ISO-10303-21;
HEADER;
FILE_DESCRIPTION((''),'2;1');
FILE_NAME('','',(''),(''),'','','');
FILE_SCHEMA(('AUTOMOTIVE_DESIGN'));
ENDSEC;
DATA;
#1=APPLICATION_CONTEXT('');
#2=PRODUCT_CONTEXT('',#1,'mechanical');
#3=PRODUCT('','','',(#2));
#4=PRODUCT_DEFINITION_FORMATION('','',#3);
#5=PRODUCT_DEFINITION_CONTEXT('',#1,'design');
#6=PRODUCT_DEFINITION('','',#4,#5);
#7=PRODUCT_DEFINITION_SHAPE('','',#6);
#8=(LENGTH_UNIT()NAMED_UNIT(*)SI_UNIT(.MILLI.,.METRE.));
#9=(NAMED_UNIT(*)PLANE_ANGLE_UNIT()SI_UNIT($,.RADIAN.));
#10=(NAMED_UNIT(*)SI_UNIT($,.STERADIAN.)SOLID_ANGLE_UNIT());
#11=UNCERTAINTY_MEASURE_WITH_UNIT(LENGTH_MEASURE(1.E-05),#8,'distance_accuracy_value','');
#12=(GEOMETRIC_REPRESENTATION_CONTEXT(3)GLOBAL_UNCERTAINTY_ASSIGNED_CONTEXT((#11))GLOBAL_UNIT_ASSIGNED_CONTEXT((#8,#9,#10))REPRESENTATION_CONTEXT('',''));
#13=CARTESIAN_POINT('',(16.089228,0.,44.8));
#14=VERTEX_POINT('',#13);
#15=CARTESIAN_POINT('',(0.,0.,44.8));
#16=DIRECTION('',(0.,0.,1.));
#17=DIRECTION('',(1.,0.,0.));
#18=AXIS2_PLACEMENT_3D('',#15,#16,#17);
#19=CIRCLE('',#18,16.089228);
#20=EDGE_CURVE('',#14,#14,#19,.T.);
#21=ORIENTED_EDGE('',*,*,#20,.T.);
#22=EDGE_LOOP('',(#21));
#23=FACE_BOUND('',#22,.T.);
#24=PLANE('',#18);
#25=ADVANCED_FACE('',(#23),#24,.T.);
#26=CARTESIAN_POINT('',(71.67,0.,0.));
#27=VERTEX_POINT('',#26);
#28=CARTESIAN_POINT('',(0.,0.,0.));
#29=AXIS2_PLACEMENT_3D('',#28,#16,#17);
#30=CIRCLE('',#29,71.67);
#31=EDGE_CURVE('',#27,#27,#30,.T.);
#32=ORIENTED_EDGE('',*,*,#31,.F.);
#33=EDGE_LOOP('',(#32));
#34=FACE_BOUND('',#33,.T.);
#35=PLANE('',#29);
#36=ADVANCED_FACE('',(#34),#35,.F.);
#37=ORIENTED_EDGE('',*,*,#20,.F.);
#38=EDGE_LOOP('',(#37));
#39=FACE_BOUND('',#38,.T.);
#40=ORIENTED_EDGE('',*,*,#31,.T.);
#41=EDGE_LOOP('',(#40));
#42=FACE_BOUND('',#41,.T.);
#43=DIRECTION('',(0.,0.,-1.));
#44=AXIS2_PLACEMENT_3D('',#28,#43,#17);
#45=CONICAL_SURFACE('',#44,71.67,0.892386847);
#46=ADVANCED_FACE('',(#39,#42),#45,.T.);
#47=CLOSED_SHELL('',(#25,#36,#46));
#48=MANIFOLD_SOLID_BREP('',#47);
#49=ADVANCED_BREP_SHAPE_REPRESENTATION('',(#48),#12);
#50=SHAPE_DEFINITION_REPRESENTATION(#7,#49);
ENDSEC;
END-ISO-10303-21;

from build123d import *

# Parameters (mm, degrees)
SKETCH1_R           = 71.67
BOSS_EXTRUDE4_DEPTH = 44.8
BOSS_EXTRUDE4_TAPER = 51.13


with BuildPart() as part:
    # Sketch1 → Boss-Extrude4 (new body)
    with BuildSketch(Plane.XY):
        Circle(SKETCH1_R)
    extrude(amount=BOSS_EXTRUDE4_DEPTH, taper=BOSS_EXTRUDE4_TAPER)


solid = part.part
